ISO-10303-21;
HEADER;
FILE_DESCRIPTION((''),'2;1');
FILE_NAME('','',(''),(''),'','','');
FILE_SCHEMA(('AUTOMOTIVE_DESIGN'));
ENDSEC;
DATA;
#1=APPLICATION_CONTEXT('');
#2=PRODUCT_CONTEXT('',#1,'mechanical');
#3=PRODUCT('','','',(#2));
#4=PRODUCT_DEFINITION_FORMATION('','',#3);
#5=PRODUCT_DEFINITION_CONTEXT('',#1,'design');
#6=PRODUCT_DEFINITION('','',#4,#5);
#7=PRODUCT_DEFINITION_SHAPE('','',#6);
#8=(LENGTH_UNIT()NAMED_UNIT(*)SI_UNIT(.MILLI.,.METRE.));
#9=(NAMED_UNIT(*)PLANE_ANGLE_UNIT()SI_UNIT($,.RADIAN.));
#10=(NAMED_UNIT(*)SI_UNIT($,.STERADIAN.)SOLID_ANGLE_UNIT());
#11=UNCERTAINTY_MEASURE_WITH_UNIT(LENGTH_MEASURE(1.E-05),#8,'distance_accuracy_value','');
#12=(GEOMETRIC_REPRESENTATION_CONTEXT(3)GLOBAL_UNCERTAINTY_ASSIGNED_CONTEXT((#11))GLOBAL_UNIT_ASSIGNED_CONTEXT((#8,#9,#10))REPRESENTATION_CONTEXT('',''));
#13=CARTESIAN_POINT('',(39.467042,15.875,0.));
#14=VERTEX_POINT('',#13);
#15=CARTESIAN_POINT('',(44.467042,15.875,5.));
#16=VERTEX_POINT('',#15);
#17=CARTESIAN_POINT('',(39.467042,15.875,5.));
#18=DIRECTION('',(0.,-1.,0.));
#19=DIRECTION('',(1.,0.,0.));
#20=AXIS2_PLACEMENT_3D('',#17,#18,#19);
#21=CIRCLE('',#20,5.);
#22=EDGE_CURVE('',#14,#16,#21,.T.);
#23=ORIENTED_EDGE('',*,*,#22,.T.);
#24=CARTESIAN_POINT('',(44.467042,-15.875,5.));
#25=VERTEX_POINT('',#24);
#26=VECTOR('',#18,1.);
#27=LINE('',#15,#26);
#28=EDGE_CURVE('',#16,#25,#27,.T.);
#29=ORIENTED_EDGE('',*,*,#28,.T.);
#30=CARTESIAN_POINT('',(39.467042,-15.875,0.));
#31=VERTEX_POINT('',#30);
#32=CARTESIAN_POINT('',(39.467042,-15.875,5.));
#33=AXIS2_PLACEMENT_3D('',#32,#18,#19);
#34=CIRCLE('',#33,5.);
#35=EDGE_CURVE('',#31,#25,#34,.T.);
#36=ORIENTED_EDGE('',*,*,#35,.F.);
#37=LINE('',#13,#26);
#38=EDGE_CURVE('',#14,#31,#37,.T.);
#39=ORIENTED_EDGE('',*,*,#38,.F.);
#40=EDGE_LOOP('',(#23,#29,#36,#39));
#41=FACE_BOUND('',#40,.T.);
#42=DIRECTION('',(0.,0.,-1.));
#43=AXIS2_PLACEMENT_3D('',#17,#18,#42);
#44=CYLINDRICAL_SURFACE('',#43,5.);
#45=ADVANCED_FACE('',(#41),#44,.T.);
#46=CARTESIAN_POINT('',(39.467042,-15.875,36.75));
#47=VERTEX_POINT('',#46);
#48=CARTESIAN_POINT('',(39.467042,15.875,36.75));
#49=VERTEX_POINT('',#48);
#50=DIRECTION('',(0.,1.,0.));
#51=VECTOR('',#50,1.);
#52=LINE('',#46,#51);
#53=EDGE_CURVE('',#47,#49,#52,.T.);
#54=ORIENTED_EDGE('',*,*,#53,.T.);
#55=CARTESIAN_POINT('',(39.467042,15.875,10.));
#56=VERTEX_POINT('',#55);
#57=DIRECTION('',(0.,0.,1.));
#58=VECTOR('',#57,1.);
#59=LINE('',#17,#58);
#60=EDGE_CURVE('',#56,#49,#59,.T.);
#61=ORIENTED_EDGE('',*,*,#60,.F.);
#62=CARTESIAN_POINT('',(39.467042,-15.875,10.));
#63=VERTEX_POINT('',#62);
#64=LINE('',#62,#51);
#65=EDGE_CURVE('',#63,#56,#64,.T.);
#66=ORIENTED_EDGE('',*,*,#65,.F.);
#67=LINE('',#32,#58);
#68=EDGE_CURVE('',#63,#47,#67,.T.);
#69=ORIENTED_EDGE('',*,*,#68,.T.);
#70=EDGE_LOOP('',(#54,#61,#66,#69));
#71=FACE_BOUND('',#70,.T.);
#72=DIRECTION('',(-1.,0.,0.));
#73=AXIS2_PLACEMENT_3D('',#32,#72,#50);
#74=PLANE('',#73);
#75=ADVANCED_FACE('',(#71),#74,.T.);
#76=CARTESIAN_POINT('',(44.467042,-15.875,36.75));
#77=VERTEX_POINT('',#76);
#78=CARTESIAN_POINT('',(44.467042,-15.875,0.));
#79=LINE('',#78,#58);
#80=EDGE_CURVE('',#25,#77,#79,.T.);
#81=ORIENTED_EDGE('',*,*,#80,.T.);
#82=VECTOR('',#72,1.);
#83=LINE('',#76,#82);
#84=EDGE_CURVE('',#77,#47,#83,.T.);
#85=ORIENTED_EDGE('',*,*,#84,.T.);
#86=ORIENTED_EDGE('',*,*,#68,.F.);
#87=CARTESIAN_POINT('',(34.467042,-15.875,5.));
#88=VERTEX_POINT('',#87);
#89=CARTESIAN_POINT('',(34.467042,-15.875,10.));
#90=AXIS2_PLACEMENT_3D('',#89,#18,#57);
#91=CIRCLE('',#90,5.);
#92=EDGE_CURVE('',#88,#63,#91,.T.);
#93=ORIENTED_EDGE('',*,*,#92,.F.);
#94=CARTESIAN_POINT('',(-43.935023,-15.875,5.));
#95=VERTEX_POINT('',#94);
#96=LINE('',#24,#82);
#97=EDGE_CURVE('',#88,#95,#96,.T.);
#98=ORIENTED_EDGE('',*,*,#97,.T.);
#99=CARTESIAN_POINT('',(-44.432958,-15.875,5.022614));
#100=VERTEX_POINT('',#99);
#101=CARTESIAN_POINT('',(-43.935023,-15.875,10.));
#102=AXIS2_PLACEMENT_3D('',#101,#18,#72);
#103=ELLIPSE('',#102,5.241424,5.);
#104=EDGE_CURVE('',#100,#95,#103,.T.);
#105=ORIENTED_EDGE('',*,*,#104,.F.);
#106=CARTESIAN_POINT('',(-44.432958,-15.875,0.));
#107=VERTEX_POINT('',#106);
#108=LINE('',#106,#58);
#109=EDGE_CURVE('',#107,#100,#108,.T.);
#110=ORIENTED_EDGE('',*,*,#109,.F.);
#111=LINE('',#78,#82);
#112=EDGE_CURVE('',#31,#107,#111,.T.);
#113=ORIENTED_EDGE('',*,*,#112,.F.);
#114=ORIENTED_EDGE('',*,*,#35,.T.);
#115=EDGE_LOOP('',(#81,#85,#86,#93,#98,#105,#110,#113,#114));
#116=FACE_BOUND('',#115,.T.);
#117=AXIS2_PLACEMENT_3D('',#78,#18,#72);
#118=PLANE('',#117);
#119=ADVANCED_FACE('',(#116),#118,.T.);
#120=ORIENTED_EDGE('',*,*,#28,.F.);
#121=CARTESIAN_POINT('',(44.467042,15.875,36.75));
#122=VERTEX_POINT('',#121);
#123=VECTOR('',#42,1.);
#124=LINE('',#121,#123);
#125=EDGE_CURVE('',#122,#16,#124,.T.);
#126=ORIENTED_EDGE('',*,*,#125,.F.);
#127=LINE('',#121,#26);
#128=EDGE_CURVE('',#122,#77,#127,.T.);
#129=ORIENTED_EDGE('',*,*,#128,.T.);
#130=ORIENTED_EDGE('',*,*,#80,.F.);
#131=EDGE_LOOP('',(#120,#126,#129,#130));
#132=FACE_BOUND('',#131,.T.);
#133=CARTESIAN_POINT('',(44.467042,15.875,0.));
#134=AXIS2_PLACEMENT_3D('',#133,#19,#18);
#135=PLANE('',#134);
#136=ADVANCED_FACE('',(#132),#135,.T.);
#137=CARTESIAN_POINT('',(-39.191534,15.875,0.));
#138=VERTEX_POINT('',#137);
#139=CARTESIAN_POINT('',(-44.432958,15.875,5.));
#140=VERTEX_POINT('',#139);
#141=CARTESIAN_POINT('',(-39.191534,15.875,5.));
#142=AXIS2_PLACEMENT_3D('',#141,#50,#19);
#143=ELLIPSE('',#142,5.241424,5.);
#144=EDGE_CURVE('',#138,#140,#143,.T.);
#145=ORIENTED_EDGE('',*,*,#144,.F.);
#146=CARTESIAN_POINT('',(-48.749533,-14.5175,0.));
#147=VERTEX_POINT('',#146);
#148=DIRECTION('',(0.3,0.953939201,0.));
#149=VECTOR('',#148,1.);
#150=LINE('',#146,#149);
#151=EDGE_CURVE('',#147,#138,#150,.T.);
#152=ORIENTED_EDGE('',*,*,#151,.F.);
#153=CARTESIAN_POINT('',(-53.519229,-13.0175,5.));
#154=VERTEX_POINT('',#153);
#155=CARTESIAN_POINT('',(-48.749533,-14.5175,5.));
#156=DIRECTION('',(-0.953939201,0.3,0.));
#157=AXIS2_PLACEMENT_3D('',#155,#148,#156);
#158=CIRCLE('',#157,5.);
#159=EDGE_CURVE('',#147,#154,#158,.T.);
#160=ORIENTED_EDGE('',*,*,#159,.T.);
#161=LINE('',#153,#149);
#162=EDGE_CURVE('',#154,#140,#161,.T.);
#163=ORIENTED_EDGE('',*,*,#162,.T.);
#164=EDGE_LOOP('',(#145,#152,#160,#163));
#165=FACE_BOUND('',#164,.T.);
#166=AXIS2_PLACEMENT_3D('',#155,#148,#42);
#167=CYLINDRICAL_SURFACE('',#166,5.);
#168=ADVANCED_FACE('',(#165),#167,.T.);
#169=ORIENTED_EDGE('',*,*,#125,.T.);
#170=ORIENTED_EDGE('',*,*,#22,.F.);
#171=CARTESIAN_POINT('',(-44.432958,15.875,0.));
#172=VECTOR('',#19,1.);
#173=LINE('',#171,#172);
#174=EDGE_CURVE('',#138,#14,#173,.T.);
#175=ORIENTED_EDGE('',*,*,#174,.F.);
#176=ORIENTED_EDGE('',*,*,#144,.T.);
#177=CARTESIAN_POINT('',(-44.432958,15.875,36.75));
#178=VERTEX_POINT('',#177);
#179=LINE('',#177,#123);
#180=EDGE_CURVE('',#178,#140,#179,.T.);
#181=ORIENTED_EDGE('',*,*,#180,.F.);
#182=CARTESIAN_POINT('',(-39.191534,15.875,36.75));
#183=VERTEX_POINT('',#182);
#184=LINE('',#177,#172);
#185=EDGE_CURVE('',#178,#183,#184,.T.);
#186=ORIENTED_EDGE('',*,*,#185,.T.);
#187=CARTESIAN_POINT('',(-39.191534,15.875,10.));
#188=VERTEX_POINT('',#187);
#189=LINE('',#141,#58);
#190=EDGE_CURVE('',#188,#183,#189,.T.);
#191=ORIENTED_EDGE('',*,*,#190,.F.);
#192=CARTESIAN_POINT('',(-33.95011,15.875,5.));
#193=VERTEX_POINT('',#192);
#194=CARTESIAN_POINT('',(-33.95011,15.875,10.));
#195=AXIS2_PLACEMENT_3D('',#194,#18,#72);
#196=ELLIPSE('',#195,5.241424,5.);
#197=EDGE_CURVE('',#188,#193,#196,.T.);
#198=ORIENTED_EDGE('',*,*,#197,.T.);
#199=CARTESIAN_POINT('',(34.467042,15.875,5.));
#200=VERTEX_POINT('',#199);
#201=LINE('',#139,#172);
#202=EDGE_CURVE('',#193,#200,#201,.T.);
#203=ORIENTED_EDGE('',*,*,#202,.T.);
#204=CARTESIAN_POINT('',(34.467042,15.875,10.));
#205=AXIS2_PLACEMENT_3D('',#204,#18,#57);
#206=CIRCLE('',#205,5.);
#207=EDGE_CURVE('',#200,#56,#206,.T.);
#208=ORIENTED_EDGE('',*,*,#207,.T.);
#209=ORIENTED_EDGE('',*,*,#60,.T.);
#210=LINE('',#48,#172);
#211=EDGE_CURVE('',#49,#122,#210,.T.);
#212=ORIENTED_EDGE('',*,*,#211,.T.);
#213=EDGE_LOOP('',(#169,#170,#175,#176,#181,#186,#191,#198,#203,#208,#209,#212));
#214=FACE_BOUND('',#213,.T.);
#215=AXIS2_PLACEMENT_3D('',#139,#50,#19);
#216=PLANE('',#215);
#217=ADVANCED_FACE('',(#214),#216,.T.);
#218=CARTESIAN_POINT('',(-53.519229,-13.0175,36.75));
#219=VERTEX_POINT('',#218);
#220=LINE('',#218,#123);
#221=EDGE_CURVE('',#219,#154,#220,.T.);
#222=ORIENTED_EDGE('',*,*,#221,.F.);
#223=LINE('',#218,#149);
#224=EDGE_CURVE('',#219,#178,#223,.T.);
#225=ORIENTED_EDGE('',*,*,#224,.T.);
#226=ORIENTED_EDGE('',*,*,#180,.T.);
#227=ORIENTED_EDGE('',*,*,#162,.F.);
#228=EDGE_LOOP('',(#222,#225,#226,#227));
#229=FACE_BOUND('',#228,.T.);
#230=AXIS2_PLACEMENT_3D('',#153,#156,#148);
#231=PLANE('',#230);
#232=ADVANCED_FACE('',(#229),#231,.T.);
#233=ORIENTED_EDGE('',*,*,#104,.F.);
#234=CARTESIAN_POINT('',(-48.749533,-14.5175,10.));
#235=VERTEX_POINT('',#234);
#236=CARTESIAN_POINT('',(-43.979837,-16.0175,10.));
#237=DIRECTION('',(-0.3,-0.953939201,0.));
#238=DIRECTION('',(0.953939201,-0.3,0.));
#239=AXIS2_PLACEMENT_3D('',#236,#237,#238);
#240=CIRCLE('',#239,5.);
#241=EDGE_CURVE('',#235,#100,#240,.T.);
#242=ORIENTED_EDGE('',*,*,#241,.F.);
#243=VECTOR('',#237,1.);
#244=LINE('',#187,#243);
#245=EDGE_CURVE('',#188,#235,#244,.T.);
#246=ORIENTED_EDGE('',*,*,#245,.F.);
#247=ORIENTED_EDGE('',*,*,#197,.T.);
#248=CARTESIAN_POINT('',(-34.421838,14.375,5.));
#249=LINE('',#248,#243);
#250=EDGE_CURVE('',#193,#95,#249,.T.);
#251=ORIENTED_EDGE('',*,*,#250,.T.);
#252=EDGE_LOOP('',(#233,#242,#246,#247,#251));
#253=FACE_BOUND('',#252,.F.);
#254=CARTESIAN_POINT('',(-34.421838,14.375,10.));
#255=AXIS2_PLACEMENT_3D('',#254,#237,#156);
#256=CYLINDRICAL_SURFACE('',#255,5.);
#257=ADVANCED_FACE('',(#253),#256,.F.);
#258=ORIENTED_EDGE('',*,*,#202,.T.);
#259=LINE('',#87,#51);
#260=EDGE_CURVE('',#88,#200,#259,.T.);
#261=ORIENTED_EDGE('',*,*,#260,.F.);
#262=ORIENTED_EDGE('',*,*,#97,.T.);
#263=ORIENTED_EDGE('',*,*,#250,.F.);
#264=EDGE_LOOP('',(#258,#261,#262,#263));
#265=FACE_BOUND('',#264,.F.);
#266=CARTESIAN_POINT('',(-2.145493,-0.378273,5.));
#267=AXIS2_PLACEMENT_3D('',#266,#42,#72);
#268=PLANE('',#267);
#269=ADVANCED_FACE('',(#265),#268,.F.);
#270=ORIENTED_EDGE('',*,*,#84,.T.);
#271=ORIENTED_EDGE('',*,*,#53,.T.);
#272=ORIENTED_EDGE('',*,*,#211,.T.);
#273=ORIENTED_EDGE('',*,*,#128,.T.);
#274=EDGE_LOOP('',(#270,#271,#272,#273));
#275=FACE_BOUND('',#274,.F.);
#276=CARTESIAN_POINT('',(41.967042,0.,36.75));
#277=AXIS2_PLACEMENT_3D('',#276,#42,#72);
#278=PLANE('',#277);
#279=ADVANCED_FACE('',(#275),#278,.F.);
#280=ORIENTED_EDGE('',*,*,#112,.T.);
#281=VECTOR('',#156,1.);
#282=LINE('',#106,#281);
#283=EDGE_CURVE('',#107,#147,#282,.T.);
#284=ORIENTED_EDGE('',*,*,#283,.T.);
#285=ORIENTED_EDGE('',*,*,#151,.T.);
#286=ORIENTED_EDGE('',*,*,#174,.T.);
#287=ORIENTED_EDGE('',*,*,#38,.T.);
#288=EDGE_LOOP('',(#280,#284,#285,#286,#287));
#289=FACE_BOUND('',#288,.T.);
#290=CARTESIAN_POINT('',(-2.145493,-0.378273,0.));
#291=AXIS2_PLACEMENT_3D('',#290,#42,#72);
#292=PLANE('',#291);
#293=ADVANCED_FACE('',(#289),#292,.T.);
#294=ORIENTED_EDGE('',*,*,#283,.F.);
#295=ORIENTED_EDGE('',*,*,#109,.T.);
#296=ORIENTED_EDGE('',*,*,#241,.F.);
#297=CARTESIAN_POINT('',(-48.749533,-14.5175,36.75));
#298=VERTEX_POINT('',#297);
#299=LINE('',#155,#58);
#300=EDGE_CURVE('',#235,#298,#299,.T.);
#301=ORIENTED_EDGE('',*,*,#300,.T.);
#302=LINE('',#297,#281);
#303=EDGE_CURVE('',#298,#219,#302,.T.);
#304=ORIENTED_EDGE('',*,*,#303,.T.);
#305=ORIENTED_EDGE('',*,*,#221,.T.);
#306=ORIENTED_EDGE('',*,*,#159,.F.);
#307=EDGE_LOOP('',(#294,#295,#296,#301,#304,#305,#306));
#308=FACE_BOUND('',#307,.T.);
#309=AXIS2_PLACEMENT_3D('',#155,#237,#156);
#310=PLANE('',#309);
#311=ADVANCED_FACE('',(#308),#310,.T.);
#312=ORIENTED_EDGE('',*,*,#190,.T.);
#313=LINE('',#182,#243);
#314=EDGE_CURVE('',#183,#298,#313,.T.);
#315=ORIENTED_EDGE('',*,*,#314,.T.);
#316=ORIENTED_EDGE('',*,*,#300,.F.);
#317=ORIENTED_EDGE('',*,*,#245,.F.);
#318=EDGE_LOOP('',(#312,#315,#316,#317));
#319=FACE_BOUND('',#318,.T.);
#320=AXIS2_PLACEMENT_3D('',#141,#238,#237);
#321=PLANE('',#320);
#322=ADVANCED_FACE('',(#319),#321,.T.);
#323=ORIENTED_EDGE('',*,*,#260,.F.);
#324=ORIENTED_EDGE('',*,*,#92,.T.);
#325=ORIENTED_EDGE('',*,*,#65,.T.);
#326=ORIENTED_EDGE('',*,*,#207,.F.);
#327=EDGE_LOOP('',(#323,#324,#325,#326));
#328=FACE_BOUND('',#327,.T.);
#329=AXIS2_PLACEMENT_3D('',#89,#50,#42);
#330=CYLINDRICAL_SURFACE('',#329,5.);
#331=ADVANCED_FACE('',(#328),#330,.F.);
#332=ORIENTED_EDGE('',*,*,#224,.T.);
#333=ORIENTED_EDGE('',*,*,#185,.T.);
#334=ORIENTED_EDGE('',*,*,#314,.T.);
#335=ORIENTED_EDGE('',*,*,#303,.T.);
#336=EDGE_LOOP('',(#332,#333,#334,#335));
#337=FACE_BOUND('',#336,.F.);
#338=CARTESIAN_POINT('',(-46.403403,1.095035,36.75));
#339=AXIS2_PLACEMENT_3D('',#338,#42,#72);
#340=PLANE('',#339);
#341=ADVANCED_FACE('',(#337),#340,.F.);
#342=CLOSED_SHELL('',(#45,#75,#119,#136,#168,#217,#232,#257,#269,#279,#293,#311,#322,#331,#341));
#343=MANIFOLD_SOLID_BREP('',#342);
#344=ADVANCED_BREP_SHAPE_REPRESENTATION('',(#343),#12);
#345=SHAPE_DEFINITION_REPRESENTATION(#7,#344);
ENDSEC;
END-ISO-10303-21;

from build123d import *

# Parameters (mm, degrees)
BOSS_EXTRUDE1_DEPTH = 5
BOSS_EXTRUDE2_DEPTH = 31.75
FILLET1_R           = 5
FILLET4_R           = 5


with BuildPart() as part:
    # Sketch1 → Boss-Extrude1 (new body)
    with BuildSketch(Plane.XY):
        Polygon((-44.432958232964275, 15.875000000000018), (44.46704176703572, 15.875000000000021), (44.467041767035624, -15.874999999999979), (-44.43295823296417, -15.875000000000448), (-53.51922912646058, -13.017500000000476), align=None)
    extrude(amount=BOSS_EXTRUDE1_DEPTH)

    # Sketch2 → Boss-Extrude2 (add)
    with BuildSketch(Plane.XY.offset(5)):
        Polygon((-48.74953311937584, -14.517500000000437), (-53.51922912646058, -13.017500000000476), (-44.432958232964275, 15.875000000000018), (-39.19153404935471, 15.875000000000021), align=None)
        Polygon((39.467041767035624, -15.875000000000448), (39.467041767035624, 15.875000000000021), (44.46704176703572, 15.875000000000021), (44.467041767035624, -15.874999999999979), align=None)
    extrude(amount=BOSS_EXTRUDE2_DEPTH)

    # Fillet1
    fillet1_edges = [part.edges().sort_by_distance(p)[0] for p in [
        (-48.97609367971243, 1.4287499999997717, 0),
    ]]
    fillet(fillet1_edges, radius=FILLET1_R)

    # Fillet4
    fillet4_edges = [part.edges().sort_by_distance(p)[0] for p in [
        (44.46704176703567, 2.132e-14, 0),
        (39.467041767035624, -2.1316e-13, 5),
        (-43.97053358436527, 0.6787499999997912, 5),
    ]]
    fillet(fillet4_edges, radius=FILLET4_R)


solid = part.part
